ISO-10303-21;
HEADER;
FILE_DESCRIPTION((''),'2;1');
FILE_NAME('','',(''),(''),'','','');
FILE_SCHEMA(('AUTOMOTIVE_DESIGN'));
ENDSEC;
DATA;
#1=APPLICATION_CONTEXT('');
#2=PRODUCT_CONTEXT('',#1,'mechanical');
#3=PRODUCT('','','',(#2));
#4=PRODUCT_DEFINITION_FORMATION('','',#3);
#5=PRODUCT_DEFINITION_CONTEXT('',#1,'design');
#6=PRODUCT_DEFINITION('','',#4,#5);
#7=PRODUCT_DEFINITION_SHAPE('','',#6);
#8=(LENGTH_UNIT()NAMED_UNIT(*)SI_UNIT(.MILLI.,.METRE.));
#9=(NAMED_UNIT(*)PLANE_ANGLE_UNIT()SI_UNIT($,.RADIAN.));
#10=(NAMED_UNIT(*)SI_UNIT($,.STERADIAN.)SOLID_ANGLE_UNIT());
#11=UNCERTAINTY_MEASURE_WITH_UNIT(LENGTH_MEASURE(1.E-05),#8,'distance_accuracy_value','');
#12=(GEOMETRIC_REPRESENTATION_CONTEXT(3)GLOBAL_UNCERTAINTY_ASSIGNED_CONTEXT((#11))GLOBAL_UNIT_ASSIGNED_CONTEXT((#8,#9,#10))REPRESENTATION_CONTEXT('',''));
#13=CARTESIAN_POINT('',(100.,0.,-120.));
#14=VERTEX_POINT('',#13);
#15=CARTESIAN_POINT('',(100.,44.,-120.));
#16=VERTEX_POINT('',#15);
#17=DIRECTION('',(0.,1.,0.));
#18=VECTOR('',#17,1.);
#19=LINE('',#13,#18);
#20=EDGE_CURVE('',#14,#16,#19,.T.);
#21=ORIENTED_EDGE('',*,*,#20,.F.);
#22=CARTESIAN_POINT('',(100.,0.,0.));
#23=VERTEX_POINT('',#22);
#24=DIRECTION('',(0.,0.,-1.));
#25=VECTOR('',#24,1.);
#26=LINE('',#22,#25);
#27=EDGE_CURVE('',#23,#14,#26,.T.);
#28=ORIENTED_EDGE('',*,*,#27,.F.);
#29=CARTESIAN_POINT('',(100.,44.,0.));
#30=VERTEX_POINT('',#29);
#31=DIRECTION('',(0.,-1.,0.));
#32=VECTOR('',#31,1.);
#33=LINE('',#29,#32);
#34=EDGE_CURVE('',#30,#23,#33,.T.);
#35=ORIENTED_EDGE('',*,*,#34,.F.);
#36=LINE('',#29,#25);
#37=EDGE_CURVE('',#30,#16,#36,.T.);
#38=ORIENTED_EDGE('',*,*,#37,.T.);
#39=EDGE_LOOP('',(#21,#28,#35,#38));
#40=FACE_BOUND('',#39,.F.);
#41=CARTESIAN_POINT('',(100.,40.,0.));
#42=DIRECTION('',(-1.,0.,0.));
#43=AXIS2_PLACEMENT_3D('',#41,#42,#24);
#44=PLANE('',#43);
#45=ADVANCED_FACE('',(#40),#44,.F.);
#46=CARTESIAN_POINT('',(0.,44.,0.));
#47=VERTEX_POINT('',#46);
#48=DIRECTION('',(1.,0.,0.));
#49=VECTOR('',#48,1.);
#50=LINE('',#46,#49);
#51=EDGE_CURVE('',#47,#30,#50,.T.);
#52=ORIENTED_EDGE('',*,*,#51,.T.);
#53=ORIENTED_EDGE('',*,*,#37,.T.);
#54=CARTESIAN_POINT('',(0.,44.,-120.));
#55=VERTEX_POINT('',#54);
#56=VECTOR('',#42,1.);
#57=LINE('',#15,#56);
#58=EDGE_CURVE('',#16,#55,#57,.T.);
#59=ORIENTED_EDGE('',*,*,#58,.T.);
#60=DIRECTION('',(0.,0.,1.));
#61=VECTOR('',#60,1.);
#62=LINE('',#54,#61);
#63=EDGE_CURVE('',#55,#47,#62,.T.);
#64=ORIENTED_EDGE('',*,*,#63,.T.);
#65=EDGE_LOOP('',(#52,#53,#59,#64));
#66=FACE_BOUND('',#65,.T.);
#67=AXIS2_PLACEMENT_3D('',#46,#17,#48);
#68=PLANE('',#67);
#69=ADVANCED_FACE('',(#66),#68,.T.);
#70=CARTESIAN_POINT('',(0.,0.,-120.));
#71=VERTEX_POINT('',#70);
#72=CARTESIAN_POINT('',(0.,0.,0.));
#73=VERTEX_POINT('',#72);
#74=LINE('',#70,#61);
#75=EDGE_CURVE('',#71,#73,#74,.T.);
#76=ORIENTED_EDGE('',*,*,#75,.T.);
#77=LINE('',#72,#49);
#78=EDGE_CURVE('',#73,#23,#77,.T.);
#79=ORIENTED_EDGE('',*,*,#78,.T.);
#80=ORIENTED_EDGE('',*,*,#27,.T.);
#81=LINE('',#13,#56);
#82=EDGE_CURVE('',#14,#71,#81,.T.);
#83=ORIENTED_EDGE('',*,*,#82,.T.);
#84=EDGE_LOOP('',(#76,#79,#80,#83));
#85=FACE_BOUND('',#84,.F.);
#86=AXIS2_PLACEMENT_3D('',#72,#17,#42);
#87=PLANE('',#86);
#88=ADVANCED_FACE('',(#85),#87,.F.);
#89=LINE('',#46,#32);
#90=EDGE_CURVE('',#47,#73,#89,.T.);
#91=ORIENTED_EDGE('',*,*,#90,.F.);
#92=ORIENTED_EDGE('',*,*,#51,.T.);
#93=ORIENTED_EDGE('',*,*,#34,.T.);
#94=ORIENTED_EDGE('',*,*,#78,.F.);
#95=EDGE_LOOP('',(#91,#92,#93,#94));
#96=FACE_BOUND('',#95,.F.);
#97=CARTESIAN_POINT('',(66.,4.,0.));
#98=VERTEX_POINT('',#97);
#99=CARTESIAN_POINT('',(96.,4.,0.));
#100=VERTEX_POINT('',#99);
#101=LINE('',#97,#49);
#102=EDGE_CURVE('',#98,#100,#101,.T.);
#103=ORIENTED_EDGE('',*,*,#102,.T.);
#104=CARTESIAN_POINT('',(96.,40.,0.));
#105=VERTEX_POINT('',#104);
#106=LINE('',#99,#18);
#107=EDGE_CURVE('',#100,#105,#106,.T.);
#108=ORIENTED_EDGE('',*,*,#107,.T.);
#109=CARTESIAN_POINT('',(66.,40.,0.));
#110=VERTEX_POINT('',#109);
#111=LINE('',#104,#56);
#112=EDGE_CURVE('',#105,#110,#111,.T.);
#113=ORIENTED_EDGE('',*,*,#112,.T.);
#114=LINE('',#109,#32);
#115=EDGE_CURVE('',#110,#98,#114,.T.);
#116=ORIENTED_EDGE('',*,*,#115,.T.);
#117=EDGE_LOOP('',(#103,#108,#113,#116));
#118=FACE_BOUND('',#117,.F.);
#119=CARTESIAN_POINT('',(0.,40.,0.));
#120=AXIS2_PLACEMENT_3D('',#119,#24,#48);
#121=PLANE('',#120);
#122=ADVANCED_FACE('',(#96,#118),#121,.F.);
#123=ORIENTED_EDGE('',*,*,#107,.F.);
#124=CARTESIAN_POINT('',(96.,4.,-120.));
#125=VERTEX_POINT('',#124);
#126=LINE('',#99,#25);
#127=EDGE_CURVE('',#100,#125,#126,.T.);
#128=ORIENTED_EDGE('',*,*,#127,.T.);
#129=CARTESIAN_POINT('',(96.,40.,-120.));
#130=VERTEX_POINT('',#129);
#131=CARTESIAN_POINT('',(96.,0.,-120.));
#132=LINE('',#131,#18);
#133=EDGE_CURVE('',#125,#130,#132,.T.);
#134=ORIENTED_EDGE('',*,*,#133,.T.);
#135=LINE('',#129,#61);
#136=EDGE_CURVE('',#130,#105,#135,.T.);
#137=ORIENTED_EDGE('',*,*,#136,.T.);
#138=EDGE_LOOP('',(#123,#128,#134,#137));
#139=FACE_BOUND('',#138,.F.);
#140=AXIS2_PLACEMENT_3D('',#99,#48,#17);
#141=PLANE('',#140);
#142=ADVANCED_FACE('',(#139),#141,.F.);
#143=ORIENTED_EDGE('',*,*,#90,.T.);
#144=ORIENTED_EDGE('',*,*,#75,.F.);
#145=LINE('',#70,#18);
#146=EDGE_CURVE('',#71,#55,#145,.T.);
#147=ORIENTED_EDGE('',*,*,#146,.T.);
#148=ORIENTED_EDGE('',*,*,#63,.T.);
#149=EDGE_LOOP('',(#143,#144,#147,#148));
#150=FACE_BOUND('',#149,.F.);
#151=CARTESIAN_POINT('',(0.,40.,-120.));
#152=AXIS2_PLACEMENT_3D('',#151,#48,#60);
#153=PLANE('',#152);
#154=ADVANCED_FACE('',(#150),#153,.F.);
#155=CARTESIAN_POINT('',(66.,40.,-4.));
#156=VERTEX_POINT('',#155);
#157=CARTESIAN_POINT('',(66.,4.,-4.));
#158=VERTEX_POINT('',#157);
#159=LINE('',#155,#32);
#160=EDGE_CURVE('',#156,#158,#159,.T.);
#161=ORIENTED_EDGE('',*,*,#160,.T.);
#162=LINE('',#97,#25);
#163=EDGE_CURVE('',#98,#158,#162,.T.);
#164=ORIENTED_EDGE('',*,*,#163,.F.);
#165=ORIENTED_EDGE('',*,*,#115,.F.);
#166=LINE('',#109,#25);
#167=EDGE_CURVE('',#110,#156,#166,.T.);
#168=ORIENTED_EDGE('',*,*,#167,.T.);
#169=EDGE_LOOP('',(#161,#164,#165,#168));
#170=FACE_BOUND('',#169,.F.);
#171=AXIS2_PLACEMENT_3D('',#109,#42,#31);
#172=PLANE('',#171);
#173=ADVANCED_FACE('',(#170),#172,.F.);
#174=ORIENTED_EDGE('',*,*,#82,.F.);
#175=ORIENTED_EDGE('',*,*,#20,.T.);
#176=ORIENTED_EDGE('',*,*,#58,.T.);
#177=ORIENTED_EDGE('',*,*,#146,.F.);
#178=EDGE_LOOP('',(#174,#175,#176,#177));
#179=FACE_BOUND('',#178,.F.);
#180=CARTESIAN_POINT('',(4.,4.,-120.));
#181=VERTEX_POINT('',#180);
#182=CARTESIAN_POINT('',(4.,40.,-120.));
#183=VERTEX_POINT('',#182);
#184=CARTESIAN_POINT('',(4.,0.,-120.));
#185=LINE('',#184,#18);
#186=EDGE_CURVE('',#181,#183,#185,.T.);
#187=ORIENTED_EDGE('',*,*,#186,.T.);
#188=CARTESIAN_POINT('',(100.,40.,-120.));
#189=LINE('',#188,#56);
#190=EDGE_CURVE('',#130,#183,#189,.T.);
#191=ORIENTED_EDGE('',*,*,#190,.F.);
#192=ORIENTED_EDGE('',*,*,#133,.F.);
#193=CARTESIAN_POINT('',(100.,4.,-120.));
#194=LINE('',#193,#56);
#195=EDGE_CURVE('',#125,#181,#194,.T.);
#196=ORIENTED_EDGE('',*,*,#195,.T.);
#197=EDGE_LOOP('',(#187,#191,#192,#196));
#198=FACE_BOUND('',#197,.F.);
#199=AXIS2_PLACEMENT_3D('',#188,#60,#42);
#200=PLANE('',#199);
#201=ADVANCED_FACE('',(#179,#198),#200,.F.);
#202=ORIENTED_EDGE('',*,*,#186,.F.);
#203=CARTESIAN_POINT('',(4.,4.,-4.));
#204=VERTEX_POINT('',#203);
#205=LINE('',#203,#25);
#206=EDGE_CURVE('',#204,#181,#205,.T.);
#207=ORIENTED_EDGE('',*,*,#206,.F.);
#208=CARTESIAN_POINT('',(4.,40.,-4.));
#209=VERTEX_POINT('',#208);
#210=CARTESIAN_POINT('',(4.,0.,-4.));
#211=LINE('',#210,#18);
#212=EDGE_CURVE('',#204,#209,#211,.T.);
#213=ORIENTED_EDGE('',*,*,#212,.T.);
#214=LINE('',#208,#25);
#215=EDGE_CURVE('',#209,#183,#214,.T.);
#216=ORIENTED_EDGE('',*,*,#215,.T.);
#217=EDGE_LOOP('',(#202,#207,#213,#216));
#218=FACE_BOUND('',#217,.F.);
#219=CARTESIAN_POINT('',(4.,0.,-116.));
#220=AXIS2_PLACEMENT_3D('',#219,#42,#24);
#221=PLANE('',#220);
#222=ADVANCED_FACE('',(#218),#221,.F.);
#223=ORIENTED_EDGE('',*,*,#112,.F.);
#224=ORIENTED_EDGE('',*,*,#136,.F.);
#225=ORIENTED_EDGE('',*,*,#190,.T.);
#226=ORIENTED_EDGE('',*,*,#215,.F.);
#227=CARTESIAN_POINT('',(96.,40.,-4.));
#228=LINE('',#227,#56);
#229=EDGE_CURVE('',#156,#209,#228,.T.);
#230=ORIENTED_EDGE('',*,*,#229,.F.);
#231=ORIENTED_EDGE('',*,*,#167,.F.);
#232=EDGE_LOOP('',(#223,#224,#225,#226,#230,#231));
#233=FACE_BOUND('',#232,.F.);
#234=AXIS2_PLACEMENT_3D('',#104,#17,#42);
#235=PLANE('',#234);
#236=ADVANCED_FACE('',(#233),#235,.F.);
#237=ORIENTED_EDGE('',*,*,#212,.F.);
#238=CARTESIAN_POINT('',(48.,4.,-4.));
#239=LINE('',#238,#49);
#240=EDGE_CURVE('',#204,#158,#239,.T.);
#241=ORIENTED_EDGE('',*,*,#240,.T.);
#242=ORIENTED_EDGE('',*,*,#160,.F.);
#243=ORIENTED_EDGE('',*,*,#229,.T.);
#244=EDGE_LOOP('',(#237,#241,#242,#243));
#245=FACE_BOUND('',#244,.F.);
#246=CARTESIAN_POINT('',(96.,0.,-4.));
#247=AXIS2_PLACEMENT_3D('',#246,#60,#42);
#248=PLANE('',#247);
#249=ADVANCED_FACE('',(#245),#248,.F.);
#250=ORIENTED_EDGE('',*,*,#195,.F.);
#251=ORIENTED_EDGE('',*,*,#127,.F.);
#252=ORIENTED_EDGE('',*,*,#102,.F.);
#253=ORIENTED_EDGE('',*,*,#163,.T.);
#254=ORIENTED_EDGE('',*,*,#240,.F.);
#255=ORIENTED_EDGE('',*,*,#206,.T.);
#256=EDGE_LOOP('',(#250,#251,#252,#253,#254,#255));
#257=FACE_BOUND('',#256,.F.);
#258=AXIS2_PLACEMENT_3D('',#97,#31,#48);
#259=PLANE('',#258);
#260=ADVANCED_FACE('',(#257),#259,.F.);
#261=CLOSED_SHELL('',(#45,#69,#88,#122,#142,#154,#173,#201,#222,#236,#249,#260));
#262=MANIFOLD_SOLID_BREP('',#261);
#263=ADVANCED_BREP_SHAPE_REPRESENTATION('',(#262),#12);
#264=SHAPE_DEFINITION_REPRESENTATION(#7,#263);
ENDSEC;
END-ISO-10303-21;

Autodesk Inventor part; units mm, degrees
ref_plane "YZ Plane" through (0, 0, 0) normal (1, 0, 0) x (0, 1, 0)
ref_plane "XZ Plane" through (0, 0, 0) normal (0, 1, 0) x (-1, 0, 0)
ref_plane "XY Plane" through (0, 0, 0) normal (0, 0, 1) x (1, 0, 0)
sketch "Skizze1" plane through (0, 0, 0) normal (0, 1, 0) x (-1, 0, 0)
  line L0 (0, 0) -> (-100, 0)
  line L1 (-100, 0) -> (-100, -120)
  line L2 (-100, -120) -> (0, -120)
  line L3 (0, -120) -> (0, 0)
  dimension "d0" = 100
  dimension "d1" = 120
extrude "Extrusion1" add sketch "Skizze1" along normal blind 4
sketch "Skizze2" plane through (0, 0, 0) normal (0, -1, 0) x (1, 0, 0)
  line L0 (100, 0) -> (100, -120) projected
  line L1 (100, -120) -> (0, -120) projected
  line L2 (0, -120) -> (0, 0) projected
  line L3 (0, 0) -> (100, 0) projected
  line L4 (4, -116) -> (96, -116)
  line L5 (96, -116) -> (96, -4)
  line L6 (96, -4) -> (4, -4)
  line L7 (4, -4) -> (4, -116)
  line L8 (4, -116) -> (4, -120)
  line L9 (96, -116) -> (96, -120)
  dimension "d4" = 4
extrude "Extrusion2" add sketch "Skizze2" against normal blind 40 contours L0 L1 L9 L5 L6 L7 L8 L2 L3
sketch "Skizze3" plane through (0, 40, 0) normal (0, 1, 0) x (1, 0, 0)
  line L0 (100, 120) -> (0, 120) projected
  line L1 (100, 0) -> (100, 120) projected
  line L2 (0, 0) -> (100, 0) projected
  line L3 (0, 120) -> (0, 0) projected
extrude "Extrusion3" add sketch "Skizze3" along normal blind 4
sketch "Skizze4" plane through (0, 0, 0) normal (0, 0, 1) x (1, 0, 0)
  line L0 (4, 4) -> (96, 4) construction
  line L1 (4, 4) -> (4, 40) construction
  line L2 (96, 40) -> (4, 40) construction
  line L3 (96, 4) -> (96, 40) construction
  line L4 (96, 40) -> (66, 40)
  line L5 (66, 40) -> (66, 4)
  line L6 (66, 4) -> (96, 4)
  line L7 (96, 4) -> (96, 40)
  point P0 (0, 0)
  dimension "d9" = 30
extrude "Extrusion4" cut sketch "Skizze4" against normal blind 4
properties part number "Schutzbox technik"
